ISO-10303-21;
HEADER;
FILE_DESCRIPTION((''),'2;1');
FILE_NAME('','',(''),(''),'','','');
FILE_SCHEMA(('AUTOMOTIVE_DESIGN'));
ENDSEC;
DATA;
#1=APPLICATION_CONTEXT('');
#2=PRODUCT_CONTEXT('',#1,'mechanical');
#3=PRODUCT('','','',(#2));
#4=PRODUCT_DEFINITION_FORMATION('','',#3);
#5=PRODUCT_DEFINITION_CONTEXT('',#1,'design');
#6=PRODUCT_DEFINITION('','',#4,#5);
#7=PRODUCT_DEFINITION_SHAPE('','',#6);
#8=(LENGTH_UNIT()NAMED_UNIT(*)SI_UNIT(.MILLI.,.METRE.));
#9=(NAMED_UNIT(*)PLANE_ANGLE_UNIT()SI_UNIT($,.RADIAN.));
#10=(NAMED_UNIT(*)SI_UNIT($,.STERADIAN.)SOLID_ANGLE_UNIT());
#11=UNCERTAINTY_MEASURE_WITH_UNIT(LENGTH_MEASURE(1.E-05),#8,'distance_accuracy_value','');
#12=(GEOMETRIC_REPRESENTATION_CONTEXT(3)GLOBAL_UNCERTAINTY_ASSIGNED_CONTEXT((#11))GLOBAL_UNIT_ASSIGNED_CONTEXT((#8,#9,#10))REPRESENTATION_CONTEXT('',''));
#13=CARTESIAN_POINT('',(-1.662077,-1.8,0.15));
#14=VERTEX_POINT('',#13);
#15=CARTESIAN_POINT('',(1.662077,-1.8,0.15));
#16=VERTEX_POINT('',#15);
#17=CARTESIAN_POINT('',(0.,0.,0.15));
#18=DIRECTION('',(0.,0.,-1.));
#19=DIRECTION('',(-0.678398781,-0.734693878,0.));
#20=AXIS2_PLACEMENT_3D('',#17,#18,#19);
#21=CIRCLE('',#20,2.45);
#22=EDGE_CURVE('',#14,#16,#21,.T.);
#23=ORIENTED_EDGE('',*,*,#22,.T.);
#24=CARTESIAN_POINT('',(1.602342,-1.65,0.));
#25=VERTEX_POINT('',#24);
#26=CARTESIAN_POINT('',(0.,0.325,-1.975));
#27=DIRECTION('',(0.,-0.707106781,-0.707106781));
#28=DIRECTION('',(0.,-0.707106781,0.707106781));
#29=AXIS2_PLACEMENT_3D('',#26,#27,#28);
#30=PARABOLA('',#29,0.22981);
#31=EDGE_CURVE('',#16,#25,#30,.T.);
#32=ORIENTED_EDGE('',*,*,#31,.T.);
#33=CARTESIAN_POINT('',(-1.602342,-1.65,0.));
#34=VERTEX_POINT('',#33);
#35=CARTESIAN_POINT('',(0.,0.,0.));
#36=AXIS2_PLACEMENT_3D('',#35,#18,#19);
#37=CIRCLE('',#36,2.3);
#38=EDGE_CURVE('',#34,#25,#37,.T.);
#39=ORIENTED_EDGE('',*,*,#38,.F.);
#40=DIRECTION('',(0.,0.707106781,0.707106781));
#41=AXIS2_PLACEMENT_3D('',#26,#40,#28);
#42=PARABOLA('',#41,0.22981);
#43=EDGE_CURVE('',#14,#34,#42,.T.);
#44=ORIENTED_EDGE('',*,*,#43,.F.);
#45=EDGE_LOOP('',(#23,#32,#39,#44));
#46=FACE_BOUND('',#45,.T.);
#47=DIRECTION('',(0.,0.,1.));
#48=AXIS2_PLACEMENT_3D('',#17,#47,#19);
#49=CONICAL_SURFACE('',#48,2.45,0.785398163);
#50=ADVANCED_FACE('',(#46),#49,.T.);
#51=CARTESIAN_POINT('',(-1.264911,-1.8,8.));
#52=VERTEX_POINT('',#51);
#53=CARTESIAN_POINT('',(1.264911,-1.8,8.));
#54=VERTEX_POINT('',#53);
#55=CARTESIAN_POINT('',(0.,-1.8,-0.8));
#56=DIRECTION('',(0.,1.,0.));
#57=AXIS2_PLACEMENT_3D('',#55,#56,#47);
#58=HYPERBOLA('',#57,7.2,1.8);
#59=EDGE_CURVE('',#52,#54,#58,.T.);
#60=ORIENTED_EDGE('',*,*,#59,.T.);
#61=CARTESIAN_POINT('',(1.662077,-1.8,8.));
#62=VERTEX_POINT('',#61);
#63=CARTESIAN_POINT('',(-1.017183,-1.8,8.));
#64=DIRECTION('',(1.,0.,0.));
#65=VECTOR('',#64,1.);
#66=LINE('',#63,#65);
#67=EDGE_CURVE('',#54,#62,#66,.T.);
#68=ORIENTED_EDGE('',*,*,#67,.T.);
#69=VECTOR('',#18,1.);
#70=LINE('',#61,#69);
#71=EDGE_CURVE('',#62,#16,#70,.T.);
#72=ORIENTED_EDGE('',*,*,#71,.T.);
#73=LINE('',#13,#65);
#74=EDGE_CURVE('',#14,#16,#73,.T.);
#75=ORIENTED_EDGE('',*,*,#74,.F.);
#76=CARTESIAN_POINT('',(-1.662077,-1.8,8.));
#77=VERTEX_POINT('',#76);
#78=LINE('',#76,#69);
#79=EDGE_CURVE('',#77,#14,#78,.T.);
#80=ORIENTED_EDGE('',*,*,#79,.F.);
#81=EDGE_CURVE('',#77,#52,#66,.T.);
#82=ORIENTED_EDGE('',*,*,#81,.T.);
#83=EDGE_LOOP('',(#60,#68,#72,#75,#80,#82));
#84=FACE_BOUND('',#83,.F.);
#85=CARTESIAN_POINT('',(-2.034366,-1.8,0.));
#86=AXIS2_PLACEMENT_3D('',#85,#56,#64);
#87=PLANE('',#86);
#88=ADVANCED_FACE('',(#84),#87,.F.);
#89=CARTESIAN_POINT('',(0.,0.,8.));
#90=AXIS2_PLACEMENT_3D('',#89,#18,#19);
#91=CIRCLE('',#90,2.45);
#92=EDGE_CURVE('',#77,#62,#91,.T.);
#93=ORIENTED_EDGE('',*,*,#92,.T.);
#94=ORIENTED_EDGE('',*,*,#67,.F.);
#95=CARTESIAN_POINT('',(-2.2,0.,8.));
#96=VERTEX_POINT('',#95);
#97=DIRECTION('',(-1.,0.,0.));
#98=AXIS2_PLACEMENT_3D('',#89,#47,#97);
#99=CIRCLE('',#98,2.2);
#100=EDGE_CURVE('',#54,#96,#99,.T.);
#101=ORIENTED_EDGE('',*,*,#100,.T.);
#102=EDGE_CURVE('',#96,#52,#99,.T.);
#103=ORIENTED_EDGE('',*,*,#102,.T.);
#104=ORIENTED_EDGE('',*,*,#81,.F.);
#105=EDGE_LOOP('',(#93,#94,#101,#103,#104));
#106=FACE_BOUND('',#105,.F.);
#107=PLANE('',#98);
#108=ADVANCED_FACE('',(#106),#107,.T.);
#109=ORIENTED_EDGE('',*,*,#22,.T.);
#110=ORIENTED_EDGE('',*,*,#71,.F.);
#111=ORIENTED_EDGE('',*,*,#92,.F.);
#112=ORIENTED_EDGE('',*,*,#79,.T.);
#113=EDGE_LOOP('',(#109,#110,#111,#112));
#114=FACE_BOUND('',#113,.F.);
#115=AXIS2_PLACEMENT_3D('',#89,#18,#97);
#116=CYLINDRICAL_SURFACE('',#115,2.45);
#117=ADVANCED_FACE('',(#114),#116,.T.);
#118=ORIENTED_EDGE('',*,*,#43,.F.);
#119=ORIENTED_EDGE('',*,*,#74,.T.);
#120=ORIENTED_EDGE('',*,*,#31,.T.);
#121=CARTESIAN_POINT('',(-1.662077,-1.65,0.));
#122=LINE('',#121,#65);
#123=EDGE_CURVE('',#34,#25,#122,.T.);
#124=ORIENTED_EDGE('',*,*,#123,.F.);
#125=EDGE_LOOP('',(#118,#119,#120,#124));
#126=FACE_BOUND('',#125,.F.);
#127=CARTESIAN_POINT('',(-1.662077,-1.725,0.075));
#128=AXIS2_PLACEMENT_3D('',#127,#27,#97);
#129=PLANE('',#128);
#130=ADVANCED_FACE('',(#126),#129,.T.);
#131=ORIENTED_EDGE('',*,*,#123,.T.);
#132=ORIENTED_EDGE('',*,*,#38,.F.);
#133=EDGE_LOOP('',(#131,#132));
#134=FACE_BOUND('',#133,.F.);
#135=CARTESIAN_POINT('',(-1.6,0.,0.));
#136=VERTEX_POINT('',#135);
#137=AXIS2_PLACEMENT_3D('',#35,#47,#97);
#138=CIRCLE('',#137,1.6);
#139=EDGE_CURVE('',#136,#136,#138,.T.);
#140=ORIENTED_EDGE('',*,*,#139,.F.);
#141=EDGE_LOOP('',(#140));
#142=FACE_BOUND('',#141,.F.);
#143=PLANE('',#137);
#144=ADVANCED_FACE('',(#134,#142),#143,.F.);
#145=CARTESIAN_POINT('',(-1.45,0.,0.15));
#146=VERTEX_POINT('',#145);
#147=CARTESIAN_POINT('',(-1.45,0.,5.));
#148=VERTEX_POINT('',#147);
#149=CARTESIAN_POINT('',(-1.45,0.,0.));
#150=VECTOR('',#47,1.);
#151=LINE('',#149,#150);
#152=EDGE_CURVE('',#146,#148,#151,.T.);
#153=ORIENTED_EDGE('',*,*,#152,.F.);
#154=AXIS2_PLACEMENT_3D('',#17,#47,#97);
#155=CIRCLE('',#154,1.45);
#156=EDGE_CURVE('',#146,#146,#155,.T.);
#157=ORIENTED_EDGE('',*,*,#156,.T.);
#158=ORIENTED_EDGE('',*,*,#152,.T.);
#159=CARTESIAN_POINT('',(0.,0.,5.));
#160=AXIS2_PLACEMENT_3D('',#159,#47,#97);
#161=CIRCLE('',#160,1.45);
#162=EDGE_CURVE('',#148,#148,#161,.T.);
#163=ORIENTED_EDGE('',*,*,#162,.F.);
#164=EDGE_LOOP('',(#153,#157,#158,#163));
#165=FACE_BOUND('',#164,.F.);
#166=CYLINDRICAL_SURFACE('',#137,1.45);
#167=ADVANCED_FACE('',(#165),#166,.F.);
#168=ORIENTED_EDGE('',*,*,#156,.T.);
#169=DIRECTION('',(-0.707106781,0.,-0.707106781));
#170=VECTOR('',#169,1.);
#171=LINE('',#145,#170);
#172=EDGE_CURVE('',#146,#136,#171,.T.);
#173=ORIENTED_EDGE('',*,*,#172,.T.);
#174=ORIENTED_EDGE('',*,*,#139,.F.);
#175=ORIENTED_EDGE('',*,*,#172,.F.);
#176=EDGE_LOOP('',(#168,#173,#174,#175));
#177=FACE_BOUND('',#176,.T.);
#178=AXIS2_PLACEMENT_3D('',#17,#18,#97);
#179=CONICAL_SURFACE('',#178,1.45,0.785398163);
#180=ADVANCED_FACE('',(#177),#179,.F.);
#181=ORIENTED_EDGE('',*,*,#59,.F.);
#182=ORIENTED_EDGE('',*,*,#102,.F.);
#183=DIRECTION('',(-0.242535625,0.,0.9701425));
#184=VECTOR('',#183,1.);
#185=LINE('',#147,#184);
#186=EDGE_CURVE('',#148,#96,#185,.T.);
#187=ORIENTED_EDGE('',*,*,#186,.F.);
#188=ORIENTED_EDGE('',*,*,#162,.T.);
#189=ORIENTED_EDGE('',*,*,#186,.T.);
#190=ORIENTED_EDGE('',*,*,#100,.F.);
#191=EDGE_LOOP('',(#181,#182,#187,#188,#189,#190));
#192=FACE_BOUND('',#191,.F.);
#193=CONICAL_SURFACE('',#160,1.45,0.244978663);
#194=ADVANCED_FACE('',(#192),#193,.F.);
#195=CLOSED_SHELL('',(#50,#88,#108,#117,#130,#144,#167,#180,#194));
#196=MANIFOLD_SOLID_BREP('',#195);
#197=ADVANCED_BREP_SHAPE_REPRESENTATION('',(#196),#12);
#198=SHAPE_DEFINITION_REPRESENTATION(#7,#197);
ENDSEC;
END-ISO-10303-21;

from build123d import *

# Parameters (mm, degrees)
SKETCH012_W     = 4.485072
SKETCH012_H     = 0.815651
POCKET003_DEPTH = 8.001
CHAMFER003_SIZE = 0.15


with BuildPart() as part:
    # Sketch011 → Revolution001 (revolve)
    with BuildSketch(Plane.XZ):
        Polygon((-1.45, 0), (-1.45, 5), (-2.2, 8), (-2.45, 8), (-2.45, 0), align=None)
    revolve(axis=Axis((0, 0, 0), (0, 0, 1)))

    # Sketch012 (on Face5 of Revolution001) → Pocket003 (cut, through all)
    with BuildSketch(Plane(origin=(0, 0, 0), x_dir=(1, 0, 0), z_dir=(0, 0, -1))):
        with Locations((0.20817, 2.2078255)):
            Rectangle(SKETCH012_W, SKETCH012_H)
    extrude(amount=-POCKET003_DEPTH, mode=Mode.SUBTRACT)

    # Chamfer003
    chamfer003_edges = [part.edges().sort_by_distance(p)[0] for p in [
        (-2.244392, -0.982449, 0),
        (0, -1.8, 0),
        (0.982449, 2.244392, 0),
        (1.45, 0, 0),
    ]]
    chamfer(chamfer003_edges, length=CHAMFER003_SIZE)


solid = part.part
